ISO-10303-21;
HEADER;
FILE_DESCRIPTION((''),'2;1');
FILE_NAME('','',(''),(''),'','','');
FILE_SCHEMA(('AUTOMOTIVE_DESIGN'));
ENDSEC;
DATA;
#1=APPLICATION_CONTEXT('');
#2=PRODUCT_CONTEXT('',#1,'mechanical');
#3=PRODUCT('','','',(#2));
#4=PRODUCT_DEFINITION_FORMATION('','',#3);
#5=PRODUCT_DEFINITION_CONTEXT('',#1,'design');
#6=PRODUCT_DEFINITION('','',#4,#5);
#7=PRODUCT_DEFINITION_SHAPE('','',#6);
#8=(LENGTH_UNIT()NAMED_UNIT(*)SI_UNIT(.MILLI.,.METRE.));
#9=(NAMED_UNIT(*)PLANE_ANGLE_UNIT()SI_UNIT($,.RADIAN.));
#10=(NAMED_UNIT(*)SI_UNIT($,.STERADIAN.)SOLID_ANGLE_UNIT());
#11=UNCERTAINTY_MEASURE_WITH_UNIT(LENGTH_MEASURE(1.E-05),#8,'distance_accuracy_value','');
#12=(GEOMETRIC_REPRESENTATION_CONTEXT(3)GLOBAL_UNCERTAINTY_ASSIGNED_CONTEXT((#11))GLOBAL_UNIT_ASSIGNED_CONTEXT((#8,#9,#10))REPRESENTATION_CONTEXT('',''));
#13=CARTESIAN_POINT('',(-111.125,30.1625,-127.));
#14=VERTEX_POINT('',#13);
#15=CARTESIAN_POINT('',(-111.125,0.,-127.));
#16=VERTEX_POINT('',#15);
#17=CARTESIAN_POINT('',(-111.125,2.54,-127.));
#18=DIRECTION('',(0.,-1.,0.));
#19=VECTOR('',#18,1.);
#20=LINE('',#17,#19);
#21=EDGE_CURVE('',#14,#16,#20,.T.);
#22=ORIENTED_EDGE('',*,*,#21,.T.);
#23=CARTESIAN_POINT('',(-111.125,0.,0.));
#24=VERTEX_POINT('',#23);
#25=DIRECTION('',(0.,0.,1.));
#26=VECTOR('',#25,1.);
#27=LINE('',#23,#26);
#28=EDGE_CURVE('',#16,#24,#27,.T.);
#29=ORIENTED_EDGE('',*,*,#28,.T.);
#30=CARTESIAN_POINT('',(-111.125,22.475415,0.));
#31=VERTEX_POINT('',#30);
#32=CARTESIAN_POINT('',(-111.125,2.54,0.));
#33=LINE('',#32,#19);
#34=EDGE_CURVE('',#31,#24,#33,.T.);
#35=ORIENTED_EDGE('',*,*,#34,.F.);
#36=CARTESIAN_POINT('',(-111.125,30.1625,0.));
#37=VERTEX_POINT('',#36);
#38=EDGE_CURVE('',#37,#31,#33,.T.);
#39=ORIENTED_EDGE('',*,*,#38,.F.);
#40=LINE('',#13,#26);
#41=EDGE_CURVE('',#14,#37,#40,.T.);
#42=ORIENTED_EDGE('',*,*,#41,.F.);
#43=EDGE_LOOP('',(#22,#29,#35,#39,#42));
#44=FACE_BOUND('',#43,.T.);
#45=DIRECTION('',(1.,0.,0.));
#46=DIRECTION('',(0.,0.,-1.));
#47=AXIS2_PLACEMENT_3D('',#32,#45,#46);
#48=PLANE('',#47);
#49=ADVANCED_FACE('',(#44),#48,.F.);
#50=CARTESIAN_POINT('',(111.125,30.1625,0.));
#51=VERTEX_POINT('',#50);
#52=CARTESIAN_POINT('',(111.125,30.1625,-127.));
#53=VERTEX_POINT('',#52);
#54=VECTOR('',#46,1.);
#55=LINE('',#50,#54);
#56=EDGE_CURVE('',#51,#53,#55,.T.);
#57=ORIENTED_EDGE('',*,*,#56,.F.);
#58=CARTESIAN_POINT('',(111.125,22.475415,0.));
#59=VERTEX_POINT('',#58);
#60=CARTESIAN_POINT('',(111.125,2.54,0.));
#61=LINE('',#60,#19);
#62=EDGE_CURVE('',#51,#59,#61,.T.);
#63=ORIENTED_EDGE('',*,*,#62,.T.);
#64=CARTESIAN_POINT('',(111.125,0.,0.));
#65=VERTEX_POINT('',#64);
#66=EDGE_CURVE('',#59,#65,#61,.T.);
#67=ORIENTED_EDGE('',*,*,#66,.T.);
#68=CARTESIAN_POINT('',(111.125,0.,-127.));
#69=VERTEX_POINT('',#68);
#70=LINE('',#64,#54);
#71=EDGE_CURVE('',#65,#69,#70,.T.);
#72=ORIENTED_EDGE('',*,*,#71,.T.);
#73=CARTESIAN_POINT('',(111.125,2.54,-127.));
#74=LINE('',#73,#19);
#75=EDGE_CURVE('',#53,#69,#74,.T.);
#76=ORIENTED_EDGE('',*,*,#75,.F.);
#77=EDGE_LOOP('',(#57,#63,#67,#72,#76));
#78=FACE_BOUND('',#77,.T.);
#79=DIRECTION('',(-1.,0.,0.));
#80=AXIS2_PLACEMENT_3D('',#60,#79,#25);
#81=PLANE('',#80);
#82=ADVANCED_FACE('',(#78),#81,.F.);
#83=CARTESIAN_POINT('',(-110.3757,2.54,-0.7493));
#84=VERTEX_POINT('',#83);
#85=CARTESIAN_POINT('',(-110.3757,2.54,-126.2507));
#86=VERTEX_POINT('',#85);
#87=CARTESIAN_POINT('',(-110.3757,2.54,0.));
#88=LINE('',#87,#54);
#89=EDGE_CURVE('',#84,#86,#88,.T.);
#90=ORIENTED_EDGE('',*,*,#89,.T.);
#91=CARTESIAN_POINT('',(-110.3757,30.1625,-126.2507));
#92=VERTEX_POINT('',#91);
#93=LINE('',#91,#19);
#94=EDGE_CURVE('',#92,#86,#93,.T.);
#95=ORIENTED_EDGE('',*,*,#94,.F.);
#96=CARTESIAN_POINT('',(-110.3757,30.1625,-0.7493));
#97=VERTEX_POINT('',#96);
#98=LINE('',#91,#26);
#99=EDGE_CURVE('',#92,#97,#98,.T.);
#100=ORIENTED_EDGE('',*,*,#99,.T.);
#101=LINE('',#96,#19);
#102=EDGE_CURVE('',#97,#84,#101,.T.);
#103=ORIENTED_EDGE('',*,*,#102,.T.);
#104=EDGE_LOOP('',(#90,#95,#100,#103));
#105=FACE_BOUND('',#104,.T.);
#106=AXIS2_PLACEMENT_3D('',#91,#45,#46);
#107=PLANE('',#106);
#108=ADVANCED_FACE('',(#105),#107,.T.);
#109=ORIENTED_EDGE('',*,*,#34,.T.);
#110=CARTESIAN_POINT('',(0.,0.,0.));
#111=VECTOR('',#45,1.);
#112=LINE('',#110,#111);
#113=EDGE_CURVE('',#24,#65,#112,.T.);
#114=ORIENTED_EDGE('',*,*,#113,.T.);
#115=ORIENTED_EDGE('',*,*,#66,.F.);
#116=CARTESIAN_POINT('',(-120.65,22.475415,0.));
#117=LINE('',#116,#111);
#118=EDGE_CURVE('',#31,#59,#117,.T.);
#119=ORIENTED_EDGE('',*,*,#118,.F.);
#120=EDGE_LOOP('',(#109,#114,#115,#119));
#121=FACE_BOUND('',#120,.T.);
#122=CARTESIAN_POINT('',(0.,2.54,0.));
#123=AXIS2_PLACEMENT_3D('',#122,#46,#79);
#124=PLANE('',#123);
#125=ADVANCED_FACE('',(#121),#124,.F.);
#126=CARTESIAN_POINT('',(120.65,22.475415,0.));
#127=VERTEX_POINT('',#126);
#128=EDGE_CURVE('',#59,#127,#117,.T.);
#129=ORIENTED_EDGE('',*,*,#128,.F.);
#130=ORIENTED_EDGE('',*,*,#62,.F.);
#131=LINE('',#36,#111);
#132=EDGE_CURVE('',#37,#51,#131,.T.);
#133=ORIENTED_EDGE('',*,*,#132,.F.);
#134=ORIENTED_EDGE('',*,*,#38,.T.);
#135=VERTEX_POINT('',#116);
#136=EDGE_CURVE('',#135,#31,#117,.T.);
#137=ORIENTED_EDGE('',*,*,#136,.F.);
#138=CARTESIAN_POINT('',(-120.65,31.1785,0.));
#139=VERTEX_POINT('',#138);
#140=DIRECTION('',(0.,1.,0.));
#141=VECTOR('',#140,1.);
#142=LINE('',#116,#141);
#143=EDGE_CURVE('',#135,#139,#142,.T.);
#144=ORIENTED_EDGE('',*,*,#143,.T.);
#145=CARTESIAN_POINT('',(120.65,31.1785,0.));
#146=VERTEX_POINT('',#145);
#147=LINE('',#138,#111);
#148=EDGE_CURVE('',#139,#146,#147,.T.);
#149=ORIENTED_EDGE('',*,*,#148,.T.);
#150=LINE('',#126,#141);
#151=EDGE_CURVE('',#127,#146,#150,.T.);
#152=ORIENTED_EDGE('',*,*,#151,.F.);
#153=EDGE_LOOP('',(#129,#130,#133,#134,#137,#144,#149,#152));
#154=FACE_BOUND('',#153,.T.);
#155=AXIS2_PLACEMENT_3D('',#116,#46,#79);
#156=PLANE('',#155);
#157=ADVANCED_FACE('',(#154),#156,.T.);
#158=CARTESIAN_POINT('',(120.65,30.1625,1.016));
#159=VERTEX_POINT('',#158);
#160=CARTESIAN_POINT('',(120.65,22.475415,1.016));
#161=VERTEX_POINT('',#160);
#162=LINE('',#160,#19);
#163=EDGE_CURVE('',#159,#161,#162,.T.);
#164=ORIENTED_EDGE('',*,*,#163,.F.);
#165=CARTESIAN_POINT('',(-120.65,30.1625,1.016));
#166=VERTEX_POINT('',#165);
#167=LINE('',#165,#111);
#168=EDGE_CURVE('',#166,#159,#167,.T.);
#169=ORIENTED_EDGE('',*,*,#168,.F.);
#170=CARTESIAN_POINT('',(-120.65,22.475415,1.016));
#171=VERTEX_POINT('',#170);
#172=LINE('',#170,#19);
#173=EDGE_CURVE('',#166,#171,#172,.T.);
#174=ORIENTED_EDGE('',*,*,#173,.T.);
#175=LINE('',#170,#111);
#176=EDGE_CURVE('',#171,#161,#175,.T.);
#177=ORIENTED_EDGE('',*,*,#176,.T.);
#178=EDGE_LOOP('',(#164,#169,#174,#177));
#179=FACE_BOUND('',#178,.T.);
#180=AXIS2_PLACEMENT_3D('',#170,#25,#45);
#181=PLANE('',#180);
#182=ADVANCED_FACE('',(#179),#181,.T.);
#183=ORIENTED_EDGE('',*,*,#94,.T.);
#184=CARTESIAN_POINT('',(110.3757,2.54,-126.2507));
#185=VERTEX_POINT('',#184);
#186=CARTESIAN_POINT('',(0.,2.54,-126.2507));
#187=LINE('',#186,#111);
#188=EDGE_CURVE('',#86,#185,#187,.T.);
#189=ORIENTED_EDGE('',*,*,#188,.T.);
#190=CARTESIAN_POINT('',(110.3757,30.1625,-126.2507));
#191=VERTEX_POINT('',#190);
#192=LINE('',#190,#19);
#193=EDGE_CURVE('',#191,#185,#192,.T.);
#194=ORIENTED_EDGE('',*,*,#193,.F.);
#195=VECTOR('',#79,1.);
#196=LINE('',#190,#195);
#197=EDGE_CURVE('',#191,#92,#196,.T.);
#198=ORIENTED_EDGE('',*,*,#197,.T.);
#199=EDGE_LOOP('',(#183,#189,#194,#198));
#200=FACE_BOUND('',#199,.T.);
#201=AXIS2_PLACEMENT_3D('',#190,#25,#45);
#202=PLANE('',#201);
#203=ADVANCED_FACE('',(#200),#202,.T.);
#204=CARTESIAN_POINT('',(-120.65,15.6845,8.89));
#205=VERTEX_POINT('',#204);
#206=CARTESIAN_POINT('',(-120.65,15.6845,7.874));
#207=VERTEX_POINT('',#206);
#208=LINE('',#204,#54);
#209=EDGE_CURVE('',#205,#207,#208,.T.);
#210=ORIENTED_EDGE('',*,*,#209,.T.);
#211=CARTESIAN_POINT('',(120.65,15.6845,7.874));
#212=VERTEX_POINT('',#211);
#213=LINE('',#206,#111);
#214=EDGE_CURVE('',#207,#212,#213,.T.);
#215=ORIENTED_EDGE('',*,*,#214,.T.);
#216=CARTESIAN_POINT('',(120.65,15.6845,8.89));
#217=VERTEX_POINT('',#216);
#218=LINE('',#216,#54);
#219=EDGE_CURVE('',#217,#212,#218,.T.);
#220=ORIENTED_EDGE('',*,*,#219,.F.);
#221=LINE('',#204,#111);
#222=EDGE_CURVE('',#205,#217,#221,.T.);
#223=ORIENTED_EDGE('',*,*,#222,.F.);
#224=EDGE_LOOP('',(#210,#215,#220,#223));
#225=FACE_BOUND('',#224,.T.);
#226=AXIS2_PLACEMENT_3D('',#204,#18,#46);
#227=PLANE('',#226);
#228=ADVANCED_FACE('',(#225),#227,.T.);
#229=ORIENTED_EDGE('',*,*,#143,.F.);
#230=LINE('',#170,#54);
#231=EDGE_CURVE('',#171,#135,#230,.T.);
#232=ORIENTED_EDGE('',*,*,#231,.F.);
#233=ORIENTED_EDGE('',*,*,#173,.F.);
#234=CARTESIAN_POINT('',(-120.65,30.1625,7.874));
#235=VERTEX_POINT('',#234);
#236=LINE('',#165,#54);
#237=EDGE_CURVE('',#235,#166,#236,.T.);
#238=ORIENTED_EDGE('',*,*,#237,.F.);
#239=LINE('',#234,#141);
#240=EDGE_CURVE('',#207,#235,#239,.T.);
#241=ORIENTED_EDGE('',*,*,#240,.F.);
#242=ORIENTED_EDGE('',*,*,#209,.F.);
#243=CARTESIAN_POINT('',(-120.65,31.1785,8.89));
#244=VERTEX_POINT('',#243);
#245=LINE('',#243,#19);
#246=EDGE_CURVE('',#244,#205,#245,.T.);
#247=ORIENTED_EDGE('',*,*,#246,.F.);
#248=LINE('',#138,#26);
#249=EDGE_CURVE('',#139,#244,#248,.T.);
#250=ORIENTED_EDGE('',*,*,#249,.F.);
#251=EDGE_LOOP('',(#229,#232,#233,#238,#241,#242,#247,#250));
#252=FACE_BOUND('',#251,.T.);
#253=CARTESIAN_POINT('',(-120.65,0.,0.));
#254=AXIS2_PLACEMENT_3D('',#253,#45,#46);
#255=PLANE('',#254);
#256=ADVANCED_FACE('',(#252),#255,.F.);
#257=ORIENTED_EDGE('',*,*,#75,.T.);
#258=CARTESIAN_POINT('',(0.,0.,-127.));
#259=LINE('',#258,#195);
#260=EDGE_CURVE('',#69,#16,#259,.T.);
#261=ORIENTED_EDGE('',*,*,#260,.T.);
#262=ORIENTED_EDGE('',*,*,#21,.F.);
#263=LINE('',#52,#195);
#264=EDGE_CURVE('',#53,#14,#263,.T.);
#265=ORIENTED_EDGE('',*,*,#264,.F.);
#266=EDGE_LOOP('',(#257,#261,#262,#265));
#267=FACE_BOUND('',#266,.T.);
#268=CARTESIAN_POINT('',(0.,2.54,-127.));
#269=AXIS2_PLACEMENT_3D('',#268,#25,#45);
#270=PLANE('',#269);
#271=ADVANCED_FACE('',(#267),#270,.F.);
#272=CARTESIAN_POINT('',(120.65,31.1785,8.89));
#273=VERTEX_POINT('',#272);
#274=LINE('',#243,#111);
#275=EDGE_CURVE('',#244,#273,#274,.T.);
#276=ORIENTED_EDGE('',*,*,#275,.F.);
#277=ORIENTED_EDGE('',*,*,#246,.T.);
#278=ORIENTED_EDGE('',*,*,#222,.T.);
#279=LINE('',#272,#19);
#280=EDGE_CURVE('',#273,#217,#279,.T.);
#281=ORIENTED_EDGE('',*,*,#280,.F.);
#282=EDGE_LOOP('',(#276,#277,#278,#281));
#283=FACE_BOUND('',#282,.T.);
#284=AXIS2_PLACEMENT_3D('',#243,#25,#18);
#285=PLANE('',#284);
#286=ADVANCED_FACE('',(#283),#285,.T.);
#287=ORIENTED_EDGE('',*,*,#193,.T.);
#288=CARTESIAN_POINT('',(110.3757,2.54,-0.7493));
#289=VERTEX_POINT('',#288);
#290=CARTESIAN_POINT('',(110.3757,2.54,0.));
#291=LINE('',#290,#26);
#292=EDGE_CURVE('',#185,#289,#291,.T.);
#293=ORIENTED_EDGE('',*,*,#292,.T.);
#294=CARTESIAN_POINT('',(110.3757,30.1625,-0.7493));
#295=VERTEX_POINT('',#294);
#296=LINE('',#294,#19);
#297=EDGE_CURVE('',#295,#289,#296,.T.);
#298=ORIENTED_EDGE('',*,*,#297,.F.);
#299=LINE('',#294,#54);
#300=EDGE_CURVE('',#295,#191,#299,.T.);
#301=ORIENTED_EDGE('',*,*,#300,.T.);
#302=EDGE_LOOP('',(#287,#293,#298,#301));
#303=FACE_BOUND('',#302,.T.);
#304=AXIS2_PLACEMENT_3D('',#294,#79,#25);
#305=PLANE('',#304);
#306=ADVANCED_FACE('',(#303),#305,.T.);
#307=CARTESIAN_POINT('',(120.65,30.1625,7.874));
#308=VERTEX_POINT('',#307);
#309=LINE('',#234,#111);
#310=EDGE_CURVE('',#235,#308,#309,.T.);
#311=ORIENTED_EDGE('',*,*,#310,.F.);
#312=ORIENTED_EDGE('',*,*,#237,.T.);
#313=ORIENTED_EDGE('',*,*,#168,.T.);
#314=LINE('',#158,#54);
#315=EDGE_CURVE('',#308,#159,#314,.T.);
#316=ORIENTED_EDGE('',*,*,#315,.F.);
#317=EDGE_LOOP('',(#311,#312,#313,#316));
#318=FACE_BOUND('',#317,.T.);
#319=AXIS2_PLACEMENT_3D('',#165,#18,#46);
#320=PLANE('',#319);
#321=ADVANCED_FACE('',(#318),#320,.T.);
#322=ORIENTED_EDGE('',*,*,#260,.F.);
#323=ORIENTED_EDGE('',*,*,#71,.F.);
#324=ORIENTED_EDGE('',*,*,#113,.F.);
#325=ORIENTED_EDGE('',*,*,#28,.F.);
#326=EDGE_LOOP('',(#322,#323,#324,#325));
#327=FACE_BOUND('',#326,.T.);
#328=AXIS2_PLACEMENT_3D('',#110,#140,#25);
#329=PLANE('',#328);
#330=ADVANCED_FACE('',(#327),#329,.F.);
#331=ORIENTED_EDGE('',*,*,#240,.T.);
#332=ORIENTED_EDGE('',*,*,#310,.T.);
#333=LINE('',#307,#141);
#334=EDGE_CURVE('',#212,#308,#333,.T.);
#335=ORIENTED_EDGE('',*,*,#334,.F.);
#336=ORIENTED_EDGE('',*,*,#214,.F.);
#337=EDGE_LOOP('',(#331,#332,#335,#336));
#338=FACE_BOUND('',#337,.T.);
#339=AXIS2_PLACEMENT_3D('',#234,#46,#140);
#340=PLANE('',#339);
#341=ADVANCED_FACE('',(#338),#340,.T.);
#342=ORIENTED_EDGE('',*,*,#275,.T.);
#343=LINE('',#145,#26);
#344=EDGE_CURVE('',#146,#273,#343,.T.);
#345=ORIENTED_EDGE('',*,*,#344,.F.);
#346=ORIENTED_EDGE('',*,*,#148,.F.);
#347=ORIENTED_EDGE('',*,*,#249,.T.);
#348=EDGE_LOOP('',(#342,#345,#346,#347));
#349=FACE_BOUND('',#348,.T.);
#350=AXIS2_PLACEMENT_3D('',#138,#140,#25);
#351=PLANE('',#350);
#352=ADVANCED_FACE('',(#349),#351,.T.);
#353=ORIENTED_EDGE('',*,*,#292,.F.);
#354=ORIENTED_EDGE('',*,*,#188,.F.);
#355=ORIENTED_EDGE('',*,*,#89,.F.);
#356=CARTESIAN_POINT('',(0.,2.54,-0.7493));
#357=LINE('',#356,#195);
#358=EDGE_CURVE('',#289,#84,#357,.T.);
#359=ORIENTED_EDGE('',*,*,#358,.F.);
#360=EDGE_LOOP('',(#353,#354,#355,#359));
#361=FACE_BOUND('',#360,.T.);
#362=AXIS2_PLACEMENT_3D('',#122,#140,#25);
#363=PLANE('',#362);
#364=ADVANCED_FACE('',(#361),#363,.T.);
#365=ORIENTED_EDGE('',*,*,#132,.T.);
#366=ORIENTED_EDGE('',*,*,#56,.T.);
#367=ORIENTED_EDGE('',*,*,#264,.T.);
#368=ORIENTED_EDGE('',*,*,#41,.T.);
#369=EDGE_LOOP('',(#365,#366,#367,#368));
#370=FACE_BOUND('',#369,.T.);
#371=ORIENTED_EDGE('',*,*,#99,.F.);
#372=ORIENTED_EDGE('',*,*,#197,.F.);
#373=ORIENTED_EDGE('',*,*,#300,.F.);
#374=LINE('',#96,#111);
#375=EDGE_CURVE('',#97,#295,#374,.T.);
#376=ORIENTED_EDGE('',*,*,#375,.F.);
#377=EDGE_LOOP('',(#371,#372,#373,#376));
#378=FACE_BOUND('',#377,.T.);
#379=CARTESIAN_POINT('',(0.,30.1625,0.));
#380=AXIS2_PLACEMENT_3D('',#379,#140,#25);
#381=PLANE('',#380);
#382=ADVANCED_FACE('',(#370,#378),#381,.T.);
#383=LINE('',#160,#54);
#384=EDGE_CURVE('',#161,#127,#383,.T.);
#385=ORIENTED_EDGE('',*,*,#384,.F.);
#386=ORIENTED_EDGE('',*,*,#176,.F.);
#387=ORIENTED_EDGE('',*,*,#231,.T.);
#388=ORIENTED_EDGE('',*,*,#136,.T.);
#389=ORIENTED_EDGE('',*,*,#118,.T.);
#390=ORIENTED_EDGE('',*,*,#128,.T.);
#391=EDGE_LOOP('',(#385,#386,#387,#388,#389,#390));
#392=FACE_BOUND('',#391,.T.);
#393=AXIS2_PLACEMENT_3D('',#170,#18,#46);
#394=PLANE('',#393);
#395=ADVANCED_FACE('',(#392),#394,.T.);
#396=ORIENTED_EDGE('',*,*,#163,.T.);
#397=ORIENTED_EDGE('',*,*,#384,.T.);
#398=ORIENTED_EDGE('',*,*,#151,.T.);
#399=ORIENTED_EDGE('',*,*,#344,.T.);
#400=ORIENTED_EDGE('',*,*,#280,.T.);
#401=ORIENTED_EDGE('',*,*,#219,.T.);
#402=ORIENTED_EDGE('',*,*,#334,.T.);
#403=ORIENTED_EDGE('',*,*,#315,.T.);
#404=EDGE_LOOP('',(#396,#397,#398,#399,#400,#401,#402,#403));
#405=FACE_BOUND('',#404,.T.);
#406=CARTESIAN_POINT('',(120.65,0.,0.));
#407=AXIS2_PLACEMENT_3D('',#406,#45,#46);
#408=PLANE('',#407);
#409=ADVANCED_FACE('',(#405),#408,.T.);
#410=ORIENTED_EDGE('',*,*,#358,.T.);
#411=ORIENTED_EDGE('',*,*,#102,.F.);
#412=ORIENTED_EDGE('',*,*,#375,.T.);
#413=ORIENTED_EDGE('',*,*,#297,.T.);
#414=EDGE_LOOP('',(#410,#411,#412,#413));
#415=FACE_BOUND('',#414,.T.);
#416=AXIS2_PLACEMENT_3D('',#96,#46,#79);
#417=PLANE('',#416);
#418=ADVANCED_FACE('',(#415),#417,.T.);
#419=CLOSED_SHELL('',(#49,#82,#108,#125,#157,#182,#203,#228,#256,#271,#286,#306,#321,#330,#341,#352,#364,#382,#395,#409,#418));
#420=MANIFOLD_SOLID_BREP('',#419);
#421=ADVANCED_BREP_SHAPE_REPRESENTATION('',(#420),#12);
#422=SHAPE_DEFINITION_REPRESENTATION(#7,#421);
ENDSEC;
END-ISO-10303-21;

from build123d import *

# Parameters (mm, degrees)
SKETCH1_W         = 222.25
SKETCH1_H         = 127
BASE_DEPTH        = 2.54
SKETCH1_3_W       = 222.25
SKETCH1_3_H       = 127
SKETCH1_3_W_2     = 220.7514
SKETCH1_3_H_2     = 125.5014
WALLS_DEPTH       = 30.1625
HANDLE_DEPTH      = 120.65
HANDLE_DEPTH_BACK = 120.65


with BuildPart() as part:
    # Sketch1 → Base (new body)
    with BuildSketch(Plane(origin=(0, 0, 0), x_dir=(1, 0, 0), z_dir=(0, 1, 0))):
        with Locations((0, 63.5)):
            Rectangle(SKETCH1_W, SKETCH1_H)
    extrude(amount=BASE_DEPTH)

    # Sketch1<3> → Walls (add)
    with BuildSketch(Plane(origin=(0, 0, 0), x_dir=(1, 0, 0), z_dir=(0, 1, 0))):
        with Locations((0, 63.5)):
            Rectangle(SKETCH1_3_W, SKETCH1_3_H)
        with Locations((0, 63.5)):
            Rectangle(SKETCH1_3_W_2, SKETCH1_3_H_2, mode=Mode.SUBTRACT)
    extrude(amount=WALLS_DEPTH)

    # Sketch2 → Handle (add, two sides: drawn at the far end of the back side and taken through both)
    with BuildSketch(Plane(origin=(0, 0, 0), x_dir=(0, 0, -1), z_dir=(1, 0, 0)).offset(-HANDLE_DEPTH_BACK)):
        Polygon((0, 22.475414602), (0, 31.1785), (-8.89, 31.1785), (-8.89, 15.6845), (-7.874, 15.6845), (-7.874, 30.1625), (-1.016, 30.1625), (-1.016, 22.475414602), align=None)
    extrude(amount=HANDLE_DEPTH + HANDLE_DEPTH_BACK)


solid = part.part
